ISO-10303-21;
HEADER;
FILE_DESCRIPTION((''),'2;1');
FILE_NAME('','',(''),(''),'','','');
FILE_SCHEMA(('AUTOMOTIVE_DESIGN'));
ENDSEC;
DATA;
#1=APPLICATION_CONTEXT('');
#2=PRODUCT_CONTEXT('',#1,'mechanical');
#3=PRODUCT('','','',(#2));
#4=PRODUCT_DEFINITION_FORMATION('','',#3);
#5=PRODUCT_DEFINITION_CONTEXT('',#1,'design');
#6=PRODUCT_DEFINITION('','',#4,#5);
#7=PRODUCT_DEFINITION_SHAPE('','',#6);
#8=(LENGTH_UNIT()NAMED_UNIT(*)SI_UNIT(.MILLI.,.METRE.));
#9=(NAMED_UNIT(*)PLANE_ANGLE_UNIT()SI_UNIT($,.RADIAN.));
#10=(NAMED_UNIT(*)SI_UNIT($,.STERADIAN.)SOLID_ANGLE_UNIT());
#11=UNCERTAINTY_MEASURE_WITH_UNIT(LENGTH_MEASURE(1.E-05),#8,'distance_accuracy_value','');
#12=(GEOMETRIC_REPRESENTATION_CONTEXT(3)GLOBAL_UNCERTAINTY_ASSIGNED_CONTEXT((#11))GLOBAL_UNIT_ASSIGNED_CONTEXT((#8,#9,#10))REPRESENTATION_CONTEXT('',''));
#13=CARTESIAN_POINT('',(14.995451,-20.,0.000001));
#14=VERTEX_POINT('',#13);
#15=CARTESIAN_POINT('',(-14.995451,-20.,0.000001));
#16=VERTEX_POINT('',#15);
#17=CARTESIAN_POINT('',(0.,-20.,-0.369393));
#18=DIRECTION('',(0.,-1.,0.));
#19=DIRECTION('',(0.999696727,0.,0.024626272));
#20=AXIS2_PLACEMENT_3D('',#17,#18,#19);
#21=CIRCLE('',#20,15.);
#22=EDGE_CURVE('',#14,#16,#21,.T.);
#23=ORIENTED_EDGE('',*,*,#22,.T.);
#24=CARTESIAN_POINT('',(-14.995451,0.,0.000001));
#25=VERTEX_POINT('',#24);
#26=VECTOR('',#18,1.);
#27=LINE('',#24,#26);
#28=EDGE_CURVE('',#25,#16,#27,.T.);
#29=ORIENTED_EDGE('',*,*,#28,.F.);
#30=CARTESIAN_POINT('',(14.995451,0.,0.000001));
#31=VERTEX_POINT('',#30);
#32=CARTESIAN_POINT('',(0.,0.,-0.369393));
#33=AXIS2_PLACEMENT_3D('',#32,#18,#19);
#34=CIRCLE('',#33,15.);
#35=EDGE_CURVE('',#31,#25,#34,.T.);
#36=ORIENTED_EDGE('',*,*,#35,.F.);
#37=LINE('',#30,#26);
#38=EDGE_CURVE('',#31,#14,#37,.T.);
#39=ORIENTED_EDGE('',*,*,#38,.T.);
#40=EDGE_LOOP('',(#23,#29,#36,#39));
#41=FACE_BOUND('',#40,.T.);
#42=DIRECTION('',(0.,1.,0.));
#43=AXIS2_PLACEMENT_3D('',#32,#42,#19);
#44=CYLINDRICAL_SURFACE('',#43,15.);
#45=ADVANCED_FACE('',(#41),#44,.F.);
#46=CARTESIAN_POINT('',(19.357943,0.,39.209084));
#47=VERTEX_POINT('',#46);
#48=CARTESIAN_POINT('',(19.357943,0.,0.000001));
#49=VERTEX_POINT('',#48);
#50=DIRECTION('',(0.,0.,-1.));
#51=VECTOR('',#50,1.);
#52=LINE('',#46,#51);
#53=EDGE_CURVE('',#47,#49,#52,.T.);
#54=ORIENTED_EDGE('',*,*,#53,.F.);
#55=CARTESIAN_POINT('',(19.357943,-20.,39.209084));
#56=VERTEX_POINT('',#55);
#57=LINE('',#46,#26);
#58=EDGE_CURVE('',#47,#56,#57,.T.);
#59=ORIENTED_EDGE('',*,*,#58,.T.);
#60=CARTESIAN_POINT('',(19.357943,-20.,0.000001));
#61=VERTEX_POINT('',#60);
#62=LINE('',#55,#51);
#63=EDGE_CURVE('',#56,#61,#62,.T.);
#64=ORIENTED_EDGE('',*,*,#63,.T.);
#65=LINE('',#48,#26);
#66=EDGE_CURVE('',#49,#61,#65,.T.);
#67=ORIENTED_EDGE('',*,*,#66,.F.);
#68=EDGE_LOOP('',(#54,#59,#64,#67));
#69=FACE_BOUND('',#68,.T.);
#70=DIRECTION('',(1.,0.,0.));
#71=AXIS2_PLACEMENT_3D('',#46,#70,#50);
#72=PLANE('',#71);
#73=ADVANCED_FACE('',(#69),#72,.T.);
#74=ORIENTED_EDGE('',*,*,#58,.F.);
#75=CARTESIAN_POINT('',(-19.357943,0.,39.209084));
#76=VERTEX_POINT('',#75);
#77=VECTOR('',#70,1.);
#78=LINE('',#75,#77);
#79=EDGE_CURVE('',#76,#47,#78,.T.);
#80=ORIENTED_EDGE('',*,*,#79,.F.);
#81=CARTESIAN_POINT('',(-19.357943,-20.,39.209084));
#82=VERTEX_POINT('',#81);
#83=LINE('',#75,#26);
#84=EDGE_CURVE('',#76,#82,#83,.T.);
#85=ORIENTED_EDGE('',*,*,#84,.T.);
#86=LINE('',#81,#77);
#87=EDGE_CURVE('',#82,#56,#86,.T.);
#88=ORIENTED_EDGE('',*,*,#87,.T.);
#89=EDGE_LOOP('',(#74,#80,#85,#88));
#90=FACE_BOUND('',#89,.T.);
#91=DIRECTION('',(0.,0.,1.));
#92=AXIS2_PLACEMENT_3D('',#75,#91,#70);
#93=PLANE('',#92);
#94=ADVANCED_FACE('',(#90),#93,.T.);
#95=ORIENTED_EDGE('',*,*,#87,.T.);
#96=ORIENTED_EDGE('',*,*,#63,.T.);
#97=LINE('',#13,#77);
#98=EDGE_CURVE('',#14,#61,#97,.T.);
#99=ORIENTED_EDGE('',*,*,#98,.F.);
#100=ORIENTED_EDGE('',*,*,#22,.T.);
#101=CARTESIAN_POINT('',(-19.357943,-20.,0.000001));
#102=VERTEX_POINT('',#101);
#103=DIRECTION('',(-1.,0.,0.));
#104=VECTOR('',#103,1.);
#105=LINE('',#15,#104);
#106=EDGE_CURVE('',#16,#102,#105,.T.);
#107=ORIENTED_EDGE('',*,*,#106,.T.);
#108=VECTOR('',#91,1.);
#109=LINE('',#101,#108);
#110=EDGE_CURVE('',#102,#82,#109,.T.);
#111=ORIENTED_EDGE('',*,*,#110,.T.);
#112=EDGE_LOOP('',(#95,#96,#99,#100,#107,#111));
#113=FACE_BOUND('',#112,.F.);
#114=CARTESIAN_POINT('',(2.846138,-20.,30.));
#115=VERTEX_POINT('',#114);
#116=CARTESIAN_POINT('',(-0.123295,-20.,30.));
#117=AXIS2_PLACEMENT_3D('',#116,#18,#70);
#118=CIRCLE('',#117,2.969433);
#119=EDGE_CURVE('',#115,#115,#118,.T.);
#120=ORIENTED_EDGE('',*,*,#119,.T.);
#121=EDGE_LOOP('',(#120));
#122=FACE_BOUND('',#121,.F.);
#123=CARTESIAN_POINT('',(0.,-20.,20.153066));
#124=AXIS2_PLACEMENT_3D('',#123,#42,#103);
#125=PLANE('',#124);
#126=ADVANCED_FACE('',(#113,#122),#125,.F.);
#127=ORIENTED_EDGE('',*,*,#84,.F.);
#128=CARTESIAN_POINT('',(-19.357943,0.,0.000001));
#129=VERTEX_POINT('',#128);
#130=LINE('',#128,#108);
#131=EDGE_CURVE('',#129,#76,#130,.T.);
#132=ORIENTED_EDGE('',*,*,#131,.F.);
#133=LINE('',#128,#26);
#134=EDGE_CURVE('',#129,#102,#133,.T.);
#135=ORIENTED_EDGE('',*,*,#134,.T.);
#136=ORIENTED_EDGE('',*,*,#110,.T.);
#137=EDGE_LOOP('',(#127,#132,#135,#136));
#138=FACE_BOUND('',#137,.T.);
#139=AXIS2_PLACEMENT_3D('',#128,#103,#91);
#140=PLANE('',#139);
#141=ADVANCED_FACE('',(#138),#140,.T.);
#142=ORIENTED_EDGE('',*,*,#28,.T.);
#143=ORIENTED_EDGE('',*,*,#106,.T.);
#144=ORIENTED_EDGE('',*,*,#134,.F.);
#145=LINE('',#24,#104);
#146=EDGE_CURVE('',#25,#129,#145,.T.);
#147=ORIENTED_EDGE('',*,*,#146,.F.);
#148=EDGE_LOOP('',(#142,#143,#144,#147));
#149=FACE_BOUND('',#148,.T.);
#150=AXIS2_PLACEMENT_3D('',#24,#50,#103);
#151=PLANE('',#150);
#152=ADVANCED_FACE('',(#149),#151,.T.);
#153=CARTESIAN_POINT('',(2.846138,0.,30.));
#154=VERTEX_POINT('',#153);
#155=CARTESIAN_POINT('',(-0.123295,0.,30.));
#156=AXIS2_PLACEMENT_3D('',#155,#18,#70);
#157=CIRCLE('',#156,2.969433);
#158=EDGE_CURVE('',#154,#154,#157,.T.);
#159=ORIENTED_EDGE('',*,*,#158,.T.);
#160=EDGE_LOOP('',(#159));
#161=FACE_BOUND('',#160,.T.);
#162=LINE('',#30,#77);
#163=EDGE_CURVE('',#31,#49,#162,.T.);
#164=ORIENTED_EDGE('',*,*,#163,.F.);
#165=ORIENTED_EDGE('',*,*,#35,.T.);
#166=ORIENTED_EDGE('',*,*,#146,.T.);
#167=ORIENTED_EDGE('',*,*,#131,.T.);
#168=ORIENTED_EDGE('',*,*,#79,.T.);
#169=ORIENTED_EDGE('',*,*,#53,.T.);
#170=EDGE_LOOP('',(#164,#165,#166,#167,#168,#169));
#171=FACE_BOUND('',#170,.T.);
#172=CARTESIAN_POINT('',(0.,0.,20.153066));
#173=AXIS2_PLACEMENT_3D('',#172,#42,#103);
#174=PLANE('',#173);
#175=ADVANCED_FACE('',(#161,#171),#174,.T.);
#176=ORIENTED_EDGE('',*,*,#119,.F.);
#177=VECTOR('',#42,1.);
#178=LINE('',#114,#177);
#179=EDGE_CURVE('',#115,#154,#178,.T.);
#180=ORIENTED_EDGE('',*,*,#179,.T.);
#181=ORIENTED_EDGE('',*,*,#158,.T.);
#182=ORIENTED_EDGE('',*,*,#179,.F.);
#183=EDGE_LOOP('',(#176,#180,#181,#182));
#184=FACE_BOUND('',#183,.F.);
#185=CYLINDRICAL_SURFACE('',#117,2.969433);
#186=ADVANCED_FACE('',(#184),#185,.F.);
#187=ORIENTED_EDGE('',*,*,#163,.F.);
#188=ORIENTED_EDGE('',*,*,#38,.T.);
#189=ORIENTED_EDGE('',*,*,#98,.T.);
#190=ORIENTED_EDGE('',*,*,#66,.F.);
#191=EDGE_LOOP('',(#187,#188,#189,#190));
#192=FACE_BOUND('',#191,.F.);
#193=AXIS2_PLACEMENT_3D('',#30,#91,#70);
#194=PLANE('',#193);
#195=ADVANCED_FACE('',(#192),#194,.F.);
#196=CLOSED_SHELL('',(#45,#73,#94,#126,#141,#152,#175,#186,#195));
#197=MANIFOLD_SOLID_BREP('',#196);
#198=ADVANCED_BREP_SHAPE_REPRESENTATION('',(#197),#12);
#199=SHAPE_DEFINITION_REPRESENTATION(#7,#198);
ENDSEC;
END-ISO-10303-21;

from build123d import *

# Parameters (mm, degrees)
PAD_DEPTH    = 20
SKETCH001_R  = 2.969433
POCKET_DEPTH = 20.001


with BuildPart() as part:
    # Sketch → Pad (new body)
    with BuildSketch(Plane.XZ):
        with BuildLine():
            ThreePointArc((14.995451, 1e-06), (0, 14.630607), (-14.995451, 1e-06))
            Line((-14.995451, 1e-06), (-19.357943, 1e-06))
            Line((-19.357943, 1e-06), (-19.357943, 39.209084))
            Line((-19.357943, 39.209084), (19.357943, 39.209084))
            Line((19.357943, 39.209084), (19.357943, 1e-06))
            Line((14.995451, 1e-06), (19.357943, 1e-06))
        make_face()
    extrude(amount=PAD_DEPTH)

    # Sketch001 → Pocket (cut, through all)
    with BuildSketch(Plane.XZ.offset(20)):
        with Locations((-0.123295, 30)):
            Circle(SKETCH001_R)
    extrude(amount=-POCKET_DEPTH, mode=Mode.SUBTRACT)


solid = part.part
